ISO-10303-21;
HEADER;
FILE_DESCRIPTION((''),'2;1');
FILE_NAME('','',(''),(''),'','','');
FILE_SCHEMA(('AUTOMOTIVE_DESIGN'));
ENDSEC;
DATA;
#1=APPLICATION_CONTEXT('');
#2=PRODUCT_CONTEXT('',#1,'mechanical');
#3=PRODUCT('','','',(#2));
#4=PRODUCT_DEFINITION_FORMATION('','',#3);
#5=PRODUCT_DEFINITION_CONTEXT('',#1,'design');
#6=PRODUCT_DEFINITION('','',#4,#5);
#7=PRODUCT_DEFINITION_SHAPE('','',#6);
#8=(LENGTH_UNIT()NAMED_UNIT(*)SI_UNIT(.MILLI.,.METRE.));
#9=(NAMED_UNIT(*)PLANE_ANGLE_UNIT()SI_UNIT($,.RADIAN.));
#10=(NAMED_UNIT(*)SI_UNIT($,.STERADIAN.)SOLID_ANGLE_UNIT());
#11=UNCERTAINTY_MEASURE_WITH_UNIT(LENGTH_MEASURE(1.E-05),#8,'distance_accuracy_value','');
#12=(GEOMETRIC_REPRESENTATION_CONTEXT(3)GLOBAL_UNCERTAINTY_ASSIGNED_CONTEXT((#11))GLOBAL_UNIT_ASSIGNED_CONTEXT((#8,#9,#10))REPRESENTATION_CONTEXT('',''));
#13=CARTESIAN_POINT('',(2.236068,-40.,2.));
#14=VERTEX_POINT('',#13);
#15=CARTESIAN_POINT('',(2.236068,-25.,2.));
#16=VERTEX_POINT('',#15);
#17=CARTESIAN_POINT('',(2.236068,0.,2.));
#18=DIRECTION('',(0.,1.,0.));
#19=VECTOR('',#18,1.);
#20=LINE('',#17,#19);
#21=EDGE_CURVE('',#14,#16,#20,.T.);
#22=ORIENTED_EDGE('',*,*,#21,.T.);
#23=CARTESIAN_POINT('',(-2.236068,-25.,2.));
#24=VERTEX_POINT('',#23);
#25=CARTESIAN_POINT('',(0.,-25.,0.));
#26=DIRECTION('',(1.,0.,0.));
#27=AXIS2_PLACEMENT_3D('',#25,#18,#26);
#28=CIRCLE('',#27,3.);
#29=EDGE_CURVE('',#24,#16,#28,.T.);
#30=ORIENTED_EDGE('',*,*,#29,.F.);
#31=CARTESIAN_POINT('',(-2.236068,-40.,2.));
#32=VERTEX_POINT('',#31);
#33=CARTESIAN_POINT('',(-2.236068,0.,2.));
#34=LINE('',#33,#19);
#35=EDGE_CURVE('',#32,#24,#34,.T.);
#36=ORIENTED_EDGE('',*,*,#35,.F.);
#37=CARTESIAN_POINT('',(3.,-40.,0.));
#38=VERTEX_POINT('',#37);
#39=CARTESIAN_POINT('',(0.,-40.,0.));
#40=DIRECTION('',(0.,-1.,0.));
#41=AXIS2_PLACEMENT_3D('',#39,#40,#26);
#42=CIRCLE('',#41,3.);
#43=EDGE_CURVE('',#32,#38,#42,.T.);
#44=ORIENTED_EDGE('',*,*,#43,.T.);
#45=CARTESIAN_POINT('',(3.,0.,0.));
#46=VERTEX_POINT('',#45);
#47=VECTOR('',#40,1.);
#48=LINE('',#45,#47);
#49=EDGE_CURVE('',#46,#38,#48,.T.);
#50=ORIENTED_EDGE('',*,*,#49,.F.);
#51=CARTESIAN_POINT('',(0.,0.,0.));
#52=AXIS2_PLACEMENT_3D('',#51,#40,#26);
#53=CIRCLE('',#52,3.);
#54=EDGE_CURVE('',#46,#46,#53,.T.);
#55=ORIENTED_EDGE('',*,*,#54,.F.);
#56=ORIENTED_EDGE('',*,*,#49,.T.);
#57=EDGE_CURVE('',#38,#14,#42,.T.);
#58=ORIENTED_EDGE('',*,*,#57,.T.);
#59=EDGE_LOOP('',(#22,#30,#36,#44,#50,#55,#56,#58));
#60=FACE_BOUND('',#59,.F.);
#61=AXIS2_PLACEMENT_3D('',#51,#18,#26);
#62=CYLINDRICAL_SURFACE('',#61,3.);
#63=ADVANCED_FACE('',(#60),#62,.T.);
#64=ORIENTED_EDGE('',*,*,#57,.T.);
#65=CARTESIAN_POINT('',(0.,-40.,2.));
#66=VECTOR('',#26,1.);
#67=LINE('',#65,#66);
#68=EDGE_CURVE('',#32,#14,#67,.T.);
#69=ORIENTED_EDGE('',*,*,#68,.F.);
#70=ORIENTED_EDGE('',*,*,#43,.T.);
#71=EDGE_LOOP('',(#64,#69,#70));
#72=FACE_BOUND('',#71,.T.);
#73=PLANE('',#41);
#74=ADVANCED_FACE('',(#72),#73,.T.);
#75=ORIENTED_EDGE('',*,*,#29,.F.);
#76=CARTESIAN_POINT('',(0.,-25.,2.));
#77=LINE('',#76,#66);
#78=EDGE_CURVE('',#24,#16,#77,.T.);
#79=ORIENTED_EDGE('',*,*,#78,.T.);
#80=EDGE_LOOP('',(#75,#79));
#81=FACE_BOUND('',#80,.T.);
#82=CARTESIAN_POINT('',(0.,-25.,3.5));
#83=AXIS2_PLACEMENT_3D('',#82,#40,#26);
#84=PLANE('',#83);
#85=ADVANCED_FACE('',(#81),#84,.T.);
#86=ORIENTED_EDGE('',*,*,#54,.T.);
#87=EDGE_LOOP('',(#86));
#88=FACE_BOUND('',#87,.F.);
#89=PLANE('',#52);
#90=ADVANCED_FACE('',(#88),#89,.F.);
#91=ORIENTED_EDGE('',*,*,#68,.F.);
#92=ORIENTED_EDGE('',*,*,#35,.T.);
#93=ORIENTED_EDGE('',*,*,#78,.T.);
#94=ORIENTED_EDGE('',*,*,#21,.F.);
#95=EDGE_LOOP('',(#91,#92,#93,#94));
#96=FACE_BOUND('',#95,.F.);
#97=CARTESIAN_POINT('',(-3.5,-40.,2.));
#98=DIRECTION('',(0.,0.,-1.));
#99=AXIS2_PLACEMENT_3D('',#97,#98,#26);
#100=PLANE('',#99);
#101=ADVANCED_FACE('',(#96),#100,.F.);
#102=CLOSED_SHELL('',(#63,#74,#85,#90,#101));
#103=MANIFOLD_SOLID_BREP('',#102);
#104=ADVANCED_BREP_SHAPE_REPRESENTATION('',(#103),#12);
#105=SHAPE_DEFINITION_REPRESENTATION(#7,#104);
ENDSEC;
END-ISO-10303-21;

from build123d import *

# Parameters (mm, degrees)
F0_R     = 3
F1_DEPTH = 40
F2_W     = 7
F2_H     = 3
F3_DEPTH = 15


with BuildPart() as f1:
    # F0 (on Front) → F1 (new body)
    with BuildSketch(Plane.XZ):
        Circle(F0_R)
    extrude(amount=F1_DEPTH)

    # F2 (on face) → F3 (cut)
    with BuildSketch(Plane.XZ.offset(40)):
        with Locations((0, 3.5)):
            Rectangle(F2_W, F2_H)
    extrude(amount=-F3_DEPTH, mode=Mode.SUBTRACT)


solid = f1.part
